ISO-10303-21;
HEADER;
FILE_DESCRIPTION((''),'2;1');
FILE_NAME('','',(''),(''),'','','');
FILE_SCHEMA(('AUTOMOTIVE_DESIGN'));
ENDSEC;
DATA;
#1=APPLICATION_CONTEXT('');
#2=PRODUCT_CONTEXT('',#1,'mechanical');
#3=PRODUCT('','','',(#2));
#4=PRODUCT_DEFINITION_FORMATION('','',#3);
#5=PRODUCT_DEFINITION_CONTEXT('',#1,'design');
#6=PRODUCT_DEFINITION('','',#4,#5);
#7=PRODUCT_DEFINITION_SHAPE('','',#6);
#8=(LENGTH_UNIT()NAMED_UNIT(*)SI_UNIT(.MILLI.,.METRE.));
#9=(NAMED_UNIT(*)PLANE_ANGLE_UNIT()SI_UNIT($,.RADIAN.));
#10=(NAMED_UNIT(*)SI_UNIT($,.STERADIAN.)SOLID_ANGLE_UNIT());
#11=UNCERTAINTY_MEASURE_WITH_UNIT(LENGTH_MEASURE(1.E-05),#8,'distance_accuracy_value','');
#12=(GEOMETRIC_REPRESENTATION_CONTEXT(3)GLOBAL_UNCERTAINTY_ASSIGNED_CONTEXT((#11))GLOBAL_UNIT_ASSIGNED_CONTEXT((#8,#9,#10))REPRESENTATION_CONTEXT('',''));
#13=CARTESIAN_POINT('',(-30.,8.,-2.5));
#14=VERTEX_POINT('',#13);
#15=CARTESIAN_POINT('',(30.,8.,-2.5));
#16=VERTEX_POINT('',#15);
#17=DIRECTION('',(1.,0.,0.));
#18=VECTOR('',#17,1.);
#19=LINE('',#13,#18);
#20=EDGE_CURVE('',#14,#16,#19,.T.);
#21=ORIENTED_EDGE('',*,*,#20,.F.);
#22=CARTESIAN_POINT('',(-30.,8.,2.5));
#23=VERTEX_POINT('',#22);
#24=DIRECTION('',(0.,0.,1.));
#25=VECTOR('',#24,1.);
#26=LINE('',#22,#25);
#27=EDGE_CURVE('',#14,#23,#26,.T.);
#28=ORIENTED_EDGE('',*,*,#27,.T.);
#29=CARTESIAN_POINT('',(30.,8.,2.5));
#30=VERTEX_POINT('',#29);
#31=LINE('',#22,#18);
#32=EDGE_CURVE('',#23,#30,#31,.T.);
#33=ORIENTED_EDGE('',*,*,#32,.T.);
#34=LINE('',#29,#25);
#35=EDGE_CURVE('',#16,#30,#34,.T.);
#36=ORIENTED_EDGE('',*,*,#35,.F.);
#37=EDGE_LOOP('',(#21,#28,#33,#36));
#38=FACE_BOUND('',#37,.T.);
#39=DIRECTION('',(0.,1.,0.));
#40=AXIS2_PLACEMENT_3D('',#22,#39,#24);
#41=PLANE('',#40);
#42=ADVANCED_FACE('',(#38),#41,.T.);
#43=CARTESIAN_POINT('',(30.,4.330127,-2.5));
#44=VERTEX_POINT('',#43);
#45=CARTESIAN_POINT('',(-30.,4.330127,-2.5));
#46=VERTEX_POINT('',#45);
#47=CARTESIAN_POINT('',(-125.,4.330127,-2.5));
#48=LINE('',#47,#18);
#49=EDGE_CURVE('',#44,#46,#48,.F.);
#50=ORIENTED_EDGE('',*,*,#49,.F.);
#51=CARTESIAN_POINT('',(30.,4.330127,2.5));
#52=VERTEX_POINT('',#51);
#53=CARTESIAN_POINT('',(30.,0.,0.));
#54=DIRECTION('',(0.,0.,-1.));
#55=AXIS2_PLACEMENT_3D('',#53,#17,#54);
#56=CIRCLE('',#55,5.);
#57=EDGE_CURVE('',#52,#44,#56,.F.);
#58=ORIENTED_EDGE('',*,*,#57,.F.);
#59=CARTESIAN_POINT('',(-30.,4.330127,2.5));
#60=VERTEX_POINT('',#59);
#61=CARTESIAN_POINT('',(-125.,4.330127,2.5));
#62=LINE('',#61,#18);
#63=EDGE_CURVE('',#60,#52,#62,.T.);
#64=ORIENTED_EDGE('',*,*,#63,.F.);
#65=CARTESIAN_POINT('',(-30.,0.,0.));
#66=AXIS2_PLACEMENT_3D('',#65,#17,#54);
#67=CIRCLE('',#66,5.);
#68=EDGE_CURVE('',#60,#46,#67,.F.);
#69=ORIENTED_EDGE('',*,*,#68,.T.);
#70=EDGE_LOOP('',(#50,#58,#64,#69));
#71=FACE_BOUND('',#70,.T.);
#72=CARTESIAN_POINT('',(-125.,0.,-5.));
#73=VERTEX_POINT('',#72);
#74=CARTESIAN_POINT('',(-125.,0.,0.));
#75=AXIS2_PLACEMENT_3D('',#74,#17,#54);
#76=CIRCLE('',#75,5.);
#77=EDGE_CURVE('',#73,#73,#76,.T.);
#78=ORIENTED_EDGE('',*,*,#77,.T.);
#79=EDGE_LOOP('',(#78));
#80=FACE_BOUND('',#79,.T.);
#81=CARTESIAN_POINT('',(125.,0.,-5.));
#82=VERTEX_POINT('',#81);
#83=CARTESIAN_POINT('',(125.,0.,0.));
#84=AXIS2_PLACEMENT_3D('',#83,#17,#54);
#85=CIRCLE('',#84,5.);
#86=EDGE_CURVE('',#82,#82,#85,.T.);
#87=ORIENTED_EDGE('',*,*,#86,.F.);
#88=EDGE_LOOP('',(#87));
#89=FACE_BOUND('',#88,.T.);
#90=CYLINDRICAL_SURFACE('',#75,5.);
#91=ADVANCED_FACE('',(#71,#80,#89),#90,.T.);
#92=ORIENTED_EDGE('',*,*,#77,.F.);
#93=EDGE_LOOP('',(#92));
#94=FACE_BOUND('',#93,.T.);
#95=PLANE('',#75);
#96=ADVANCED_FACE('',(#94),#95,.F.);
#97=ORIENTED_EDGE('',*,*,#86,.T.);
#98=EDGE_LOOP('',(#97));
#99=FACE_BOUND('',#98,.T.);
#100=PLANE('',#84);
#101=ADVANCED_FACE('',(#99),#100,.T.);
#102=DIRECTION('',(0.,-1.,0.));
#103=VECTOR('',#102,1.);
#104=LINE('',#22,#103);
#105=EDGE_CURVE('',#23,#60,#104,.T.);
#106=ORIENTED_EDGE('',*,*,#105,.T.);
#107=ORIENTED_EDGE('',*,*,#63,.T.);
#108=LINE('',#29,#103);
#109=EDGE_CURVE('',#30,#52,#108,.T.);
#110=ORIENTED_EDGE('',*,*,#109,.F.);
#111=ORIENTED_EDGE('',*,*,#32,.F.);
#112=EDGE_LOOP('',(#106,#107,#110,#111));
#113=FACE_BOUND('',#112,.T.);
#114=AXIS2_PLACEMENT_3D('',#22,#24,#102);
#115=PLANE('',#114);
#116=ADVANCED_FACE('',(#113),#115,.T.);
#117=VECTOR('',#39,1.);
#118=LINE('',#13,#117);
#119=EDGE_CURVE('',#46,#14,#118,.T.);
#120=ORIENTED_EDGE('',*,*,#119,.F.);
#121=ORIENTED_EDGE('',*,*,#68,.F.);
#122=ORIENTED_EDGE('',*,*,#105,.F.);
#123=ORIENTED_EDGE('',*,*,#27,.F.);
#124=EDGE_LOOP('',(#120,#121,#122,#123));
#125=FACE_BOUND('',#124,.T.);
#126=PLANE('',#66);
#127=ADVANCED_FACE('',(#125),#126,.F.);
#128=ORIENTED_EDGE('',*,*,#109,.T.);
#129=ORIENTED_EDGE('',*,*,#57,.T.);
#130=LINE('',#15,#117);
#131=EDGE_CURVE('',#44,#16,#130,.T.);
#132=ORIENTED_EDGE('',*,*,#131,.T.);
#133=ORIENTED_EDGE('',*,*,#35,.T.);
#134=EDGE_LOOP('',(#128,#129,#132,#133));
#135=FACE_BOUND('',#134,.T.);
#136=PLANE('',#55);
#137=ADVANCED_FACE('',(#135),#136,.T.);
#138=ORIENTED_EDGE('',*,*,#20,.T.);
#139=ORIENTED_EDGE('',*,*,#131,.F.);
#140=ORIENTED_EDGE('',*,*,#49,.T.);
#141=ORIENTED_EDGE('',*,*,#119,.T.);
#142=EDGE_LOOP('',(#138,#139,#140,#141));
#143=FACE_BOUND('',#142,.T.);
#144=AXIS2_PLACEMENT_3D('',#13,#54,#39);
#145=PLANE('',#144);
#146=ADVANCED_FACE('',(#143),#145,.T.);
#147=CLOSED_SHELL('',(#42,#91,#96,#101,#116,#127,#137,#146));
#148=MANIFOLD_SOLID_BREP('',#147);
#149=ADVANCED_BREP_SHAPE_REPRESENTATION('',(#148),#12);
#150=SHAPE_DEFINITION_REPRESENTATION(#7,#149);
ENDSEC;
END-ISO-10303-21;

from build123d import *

# Parameters (mm, degrees)
SKETCH2_R                       = 5
SHAFT_DEPTH                     = 125
SHAFT_DEPTH_BACK                = 125
SKETCH3_W                       = 5
SKETCH3_H                       = 8
SHAFT_KEY_FOR_BICEPS_DEPTH      = 30
SHAFT_KEY_FOR_BICEPS_DEPTH_BACK = 30


with BuildPart() as part:
    # Sketch2 → Shaft (new body, two sides)
    with BuildSketch(Plane(origin=(0, 0, 0), x_dir=(0, 0, -1), z_dir=(1, 0, 0))) as shaft_sk:
        Circle(SKETCH2_R)
    extrude(amount=SHAFT_DEPTH)
    extrude(shaft_sk.sketch, amount=-SHAFT_DEPTH_BACK)

    # Sketch3 → Shaft Key for Biceps (add, two sides)
    with BuildSketch(Plane(origin=(0, 0, 0), x_dir=(0, 0, -1), z_dir=(1, 0, 0))) as shaft_key_for_biceps_sk:
        with Locations((0, 4)):
            Rectangle(SKETCH3_W, SKETCH3_H)
    extrude(amount=SHAFT_KEY_FOR_BICEPS_DEPTH)
    extrude(shaft_key_for_biceps_sk.sketch, amount=-SHAFT_KEY_FOR_BICEPS_DEPTH_BACK)


solid = part.part
